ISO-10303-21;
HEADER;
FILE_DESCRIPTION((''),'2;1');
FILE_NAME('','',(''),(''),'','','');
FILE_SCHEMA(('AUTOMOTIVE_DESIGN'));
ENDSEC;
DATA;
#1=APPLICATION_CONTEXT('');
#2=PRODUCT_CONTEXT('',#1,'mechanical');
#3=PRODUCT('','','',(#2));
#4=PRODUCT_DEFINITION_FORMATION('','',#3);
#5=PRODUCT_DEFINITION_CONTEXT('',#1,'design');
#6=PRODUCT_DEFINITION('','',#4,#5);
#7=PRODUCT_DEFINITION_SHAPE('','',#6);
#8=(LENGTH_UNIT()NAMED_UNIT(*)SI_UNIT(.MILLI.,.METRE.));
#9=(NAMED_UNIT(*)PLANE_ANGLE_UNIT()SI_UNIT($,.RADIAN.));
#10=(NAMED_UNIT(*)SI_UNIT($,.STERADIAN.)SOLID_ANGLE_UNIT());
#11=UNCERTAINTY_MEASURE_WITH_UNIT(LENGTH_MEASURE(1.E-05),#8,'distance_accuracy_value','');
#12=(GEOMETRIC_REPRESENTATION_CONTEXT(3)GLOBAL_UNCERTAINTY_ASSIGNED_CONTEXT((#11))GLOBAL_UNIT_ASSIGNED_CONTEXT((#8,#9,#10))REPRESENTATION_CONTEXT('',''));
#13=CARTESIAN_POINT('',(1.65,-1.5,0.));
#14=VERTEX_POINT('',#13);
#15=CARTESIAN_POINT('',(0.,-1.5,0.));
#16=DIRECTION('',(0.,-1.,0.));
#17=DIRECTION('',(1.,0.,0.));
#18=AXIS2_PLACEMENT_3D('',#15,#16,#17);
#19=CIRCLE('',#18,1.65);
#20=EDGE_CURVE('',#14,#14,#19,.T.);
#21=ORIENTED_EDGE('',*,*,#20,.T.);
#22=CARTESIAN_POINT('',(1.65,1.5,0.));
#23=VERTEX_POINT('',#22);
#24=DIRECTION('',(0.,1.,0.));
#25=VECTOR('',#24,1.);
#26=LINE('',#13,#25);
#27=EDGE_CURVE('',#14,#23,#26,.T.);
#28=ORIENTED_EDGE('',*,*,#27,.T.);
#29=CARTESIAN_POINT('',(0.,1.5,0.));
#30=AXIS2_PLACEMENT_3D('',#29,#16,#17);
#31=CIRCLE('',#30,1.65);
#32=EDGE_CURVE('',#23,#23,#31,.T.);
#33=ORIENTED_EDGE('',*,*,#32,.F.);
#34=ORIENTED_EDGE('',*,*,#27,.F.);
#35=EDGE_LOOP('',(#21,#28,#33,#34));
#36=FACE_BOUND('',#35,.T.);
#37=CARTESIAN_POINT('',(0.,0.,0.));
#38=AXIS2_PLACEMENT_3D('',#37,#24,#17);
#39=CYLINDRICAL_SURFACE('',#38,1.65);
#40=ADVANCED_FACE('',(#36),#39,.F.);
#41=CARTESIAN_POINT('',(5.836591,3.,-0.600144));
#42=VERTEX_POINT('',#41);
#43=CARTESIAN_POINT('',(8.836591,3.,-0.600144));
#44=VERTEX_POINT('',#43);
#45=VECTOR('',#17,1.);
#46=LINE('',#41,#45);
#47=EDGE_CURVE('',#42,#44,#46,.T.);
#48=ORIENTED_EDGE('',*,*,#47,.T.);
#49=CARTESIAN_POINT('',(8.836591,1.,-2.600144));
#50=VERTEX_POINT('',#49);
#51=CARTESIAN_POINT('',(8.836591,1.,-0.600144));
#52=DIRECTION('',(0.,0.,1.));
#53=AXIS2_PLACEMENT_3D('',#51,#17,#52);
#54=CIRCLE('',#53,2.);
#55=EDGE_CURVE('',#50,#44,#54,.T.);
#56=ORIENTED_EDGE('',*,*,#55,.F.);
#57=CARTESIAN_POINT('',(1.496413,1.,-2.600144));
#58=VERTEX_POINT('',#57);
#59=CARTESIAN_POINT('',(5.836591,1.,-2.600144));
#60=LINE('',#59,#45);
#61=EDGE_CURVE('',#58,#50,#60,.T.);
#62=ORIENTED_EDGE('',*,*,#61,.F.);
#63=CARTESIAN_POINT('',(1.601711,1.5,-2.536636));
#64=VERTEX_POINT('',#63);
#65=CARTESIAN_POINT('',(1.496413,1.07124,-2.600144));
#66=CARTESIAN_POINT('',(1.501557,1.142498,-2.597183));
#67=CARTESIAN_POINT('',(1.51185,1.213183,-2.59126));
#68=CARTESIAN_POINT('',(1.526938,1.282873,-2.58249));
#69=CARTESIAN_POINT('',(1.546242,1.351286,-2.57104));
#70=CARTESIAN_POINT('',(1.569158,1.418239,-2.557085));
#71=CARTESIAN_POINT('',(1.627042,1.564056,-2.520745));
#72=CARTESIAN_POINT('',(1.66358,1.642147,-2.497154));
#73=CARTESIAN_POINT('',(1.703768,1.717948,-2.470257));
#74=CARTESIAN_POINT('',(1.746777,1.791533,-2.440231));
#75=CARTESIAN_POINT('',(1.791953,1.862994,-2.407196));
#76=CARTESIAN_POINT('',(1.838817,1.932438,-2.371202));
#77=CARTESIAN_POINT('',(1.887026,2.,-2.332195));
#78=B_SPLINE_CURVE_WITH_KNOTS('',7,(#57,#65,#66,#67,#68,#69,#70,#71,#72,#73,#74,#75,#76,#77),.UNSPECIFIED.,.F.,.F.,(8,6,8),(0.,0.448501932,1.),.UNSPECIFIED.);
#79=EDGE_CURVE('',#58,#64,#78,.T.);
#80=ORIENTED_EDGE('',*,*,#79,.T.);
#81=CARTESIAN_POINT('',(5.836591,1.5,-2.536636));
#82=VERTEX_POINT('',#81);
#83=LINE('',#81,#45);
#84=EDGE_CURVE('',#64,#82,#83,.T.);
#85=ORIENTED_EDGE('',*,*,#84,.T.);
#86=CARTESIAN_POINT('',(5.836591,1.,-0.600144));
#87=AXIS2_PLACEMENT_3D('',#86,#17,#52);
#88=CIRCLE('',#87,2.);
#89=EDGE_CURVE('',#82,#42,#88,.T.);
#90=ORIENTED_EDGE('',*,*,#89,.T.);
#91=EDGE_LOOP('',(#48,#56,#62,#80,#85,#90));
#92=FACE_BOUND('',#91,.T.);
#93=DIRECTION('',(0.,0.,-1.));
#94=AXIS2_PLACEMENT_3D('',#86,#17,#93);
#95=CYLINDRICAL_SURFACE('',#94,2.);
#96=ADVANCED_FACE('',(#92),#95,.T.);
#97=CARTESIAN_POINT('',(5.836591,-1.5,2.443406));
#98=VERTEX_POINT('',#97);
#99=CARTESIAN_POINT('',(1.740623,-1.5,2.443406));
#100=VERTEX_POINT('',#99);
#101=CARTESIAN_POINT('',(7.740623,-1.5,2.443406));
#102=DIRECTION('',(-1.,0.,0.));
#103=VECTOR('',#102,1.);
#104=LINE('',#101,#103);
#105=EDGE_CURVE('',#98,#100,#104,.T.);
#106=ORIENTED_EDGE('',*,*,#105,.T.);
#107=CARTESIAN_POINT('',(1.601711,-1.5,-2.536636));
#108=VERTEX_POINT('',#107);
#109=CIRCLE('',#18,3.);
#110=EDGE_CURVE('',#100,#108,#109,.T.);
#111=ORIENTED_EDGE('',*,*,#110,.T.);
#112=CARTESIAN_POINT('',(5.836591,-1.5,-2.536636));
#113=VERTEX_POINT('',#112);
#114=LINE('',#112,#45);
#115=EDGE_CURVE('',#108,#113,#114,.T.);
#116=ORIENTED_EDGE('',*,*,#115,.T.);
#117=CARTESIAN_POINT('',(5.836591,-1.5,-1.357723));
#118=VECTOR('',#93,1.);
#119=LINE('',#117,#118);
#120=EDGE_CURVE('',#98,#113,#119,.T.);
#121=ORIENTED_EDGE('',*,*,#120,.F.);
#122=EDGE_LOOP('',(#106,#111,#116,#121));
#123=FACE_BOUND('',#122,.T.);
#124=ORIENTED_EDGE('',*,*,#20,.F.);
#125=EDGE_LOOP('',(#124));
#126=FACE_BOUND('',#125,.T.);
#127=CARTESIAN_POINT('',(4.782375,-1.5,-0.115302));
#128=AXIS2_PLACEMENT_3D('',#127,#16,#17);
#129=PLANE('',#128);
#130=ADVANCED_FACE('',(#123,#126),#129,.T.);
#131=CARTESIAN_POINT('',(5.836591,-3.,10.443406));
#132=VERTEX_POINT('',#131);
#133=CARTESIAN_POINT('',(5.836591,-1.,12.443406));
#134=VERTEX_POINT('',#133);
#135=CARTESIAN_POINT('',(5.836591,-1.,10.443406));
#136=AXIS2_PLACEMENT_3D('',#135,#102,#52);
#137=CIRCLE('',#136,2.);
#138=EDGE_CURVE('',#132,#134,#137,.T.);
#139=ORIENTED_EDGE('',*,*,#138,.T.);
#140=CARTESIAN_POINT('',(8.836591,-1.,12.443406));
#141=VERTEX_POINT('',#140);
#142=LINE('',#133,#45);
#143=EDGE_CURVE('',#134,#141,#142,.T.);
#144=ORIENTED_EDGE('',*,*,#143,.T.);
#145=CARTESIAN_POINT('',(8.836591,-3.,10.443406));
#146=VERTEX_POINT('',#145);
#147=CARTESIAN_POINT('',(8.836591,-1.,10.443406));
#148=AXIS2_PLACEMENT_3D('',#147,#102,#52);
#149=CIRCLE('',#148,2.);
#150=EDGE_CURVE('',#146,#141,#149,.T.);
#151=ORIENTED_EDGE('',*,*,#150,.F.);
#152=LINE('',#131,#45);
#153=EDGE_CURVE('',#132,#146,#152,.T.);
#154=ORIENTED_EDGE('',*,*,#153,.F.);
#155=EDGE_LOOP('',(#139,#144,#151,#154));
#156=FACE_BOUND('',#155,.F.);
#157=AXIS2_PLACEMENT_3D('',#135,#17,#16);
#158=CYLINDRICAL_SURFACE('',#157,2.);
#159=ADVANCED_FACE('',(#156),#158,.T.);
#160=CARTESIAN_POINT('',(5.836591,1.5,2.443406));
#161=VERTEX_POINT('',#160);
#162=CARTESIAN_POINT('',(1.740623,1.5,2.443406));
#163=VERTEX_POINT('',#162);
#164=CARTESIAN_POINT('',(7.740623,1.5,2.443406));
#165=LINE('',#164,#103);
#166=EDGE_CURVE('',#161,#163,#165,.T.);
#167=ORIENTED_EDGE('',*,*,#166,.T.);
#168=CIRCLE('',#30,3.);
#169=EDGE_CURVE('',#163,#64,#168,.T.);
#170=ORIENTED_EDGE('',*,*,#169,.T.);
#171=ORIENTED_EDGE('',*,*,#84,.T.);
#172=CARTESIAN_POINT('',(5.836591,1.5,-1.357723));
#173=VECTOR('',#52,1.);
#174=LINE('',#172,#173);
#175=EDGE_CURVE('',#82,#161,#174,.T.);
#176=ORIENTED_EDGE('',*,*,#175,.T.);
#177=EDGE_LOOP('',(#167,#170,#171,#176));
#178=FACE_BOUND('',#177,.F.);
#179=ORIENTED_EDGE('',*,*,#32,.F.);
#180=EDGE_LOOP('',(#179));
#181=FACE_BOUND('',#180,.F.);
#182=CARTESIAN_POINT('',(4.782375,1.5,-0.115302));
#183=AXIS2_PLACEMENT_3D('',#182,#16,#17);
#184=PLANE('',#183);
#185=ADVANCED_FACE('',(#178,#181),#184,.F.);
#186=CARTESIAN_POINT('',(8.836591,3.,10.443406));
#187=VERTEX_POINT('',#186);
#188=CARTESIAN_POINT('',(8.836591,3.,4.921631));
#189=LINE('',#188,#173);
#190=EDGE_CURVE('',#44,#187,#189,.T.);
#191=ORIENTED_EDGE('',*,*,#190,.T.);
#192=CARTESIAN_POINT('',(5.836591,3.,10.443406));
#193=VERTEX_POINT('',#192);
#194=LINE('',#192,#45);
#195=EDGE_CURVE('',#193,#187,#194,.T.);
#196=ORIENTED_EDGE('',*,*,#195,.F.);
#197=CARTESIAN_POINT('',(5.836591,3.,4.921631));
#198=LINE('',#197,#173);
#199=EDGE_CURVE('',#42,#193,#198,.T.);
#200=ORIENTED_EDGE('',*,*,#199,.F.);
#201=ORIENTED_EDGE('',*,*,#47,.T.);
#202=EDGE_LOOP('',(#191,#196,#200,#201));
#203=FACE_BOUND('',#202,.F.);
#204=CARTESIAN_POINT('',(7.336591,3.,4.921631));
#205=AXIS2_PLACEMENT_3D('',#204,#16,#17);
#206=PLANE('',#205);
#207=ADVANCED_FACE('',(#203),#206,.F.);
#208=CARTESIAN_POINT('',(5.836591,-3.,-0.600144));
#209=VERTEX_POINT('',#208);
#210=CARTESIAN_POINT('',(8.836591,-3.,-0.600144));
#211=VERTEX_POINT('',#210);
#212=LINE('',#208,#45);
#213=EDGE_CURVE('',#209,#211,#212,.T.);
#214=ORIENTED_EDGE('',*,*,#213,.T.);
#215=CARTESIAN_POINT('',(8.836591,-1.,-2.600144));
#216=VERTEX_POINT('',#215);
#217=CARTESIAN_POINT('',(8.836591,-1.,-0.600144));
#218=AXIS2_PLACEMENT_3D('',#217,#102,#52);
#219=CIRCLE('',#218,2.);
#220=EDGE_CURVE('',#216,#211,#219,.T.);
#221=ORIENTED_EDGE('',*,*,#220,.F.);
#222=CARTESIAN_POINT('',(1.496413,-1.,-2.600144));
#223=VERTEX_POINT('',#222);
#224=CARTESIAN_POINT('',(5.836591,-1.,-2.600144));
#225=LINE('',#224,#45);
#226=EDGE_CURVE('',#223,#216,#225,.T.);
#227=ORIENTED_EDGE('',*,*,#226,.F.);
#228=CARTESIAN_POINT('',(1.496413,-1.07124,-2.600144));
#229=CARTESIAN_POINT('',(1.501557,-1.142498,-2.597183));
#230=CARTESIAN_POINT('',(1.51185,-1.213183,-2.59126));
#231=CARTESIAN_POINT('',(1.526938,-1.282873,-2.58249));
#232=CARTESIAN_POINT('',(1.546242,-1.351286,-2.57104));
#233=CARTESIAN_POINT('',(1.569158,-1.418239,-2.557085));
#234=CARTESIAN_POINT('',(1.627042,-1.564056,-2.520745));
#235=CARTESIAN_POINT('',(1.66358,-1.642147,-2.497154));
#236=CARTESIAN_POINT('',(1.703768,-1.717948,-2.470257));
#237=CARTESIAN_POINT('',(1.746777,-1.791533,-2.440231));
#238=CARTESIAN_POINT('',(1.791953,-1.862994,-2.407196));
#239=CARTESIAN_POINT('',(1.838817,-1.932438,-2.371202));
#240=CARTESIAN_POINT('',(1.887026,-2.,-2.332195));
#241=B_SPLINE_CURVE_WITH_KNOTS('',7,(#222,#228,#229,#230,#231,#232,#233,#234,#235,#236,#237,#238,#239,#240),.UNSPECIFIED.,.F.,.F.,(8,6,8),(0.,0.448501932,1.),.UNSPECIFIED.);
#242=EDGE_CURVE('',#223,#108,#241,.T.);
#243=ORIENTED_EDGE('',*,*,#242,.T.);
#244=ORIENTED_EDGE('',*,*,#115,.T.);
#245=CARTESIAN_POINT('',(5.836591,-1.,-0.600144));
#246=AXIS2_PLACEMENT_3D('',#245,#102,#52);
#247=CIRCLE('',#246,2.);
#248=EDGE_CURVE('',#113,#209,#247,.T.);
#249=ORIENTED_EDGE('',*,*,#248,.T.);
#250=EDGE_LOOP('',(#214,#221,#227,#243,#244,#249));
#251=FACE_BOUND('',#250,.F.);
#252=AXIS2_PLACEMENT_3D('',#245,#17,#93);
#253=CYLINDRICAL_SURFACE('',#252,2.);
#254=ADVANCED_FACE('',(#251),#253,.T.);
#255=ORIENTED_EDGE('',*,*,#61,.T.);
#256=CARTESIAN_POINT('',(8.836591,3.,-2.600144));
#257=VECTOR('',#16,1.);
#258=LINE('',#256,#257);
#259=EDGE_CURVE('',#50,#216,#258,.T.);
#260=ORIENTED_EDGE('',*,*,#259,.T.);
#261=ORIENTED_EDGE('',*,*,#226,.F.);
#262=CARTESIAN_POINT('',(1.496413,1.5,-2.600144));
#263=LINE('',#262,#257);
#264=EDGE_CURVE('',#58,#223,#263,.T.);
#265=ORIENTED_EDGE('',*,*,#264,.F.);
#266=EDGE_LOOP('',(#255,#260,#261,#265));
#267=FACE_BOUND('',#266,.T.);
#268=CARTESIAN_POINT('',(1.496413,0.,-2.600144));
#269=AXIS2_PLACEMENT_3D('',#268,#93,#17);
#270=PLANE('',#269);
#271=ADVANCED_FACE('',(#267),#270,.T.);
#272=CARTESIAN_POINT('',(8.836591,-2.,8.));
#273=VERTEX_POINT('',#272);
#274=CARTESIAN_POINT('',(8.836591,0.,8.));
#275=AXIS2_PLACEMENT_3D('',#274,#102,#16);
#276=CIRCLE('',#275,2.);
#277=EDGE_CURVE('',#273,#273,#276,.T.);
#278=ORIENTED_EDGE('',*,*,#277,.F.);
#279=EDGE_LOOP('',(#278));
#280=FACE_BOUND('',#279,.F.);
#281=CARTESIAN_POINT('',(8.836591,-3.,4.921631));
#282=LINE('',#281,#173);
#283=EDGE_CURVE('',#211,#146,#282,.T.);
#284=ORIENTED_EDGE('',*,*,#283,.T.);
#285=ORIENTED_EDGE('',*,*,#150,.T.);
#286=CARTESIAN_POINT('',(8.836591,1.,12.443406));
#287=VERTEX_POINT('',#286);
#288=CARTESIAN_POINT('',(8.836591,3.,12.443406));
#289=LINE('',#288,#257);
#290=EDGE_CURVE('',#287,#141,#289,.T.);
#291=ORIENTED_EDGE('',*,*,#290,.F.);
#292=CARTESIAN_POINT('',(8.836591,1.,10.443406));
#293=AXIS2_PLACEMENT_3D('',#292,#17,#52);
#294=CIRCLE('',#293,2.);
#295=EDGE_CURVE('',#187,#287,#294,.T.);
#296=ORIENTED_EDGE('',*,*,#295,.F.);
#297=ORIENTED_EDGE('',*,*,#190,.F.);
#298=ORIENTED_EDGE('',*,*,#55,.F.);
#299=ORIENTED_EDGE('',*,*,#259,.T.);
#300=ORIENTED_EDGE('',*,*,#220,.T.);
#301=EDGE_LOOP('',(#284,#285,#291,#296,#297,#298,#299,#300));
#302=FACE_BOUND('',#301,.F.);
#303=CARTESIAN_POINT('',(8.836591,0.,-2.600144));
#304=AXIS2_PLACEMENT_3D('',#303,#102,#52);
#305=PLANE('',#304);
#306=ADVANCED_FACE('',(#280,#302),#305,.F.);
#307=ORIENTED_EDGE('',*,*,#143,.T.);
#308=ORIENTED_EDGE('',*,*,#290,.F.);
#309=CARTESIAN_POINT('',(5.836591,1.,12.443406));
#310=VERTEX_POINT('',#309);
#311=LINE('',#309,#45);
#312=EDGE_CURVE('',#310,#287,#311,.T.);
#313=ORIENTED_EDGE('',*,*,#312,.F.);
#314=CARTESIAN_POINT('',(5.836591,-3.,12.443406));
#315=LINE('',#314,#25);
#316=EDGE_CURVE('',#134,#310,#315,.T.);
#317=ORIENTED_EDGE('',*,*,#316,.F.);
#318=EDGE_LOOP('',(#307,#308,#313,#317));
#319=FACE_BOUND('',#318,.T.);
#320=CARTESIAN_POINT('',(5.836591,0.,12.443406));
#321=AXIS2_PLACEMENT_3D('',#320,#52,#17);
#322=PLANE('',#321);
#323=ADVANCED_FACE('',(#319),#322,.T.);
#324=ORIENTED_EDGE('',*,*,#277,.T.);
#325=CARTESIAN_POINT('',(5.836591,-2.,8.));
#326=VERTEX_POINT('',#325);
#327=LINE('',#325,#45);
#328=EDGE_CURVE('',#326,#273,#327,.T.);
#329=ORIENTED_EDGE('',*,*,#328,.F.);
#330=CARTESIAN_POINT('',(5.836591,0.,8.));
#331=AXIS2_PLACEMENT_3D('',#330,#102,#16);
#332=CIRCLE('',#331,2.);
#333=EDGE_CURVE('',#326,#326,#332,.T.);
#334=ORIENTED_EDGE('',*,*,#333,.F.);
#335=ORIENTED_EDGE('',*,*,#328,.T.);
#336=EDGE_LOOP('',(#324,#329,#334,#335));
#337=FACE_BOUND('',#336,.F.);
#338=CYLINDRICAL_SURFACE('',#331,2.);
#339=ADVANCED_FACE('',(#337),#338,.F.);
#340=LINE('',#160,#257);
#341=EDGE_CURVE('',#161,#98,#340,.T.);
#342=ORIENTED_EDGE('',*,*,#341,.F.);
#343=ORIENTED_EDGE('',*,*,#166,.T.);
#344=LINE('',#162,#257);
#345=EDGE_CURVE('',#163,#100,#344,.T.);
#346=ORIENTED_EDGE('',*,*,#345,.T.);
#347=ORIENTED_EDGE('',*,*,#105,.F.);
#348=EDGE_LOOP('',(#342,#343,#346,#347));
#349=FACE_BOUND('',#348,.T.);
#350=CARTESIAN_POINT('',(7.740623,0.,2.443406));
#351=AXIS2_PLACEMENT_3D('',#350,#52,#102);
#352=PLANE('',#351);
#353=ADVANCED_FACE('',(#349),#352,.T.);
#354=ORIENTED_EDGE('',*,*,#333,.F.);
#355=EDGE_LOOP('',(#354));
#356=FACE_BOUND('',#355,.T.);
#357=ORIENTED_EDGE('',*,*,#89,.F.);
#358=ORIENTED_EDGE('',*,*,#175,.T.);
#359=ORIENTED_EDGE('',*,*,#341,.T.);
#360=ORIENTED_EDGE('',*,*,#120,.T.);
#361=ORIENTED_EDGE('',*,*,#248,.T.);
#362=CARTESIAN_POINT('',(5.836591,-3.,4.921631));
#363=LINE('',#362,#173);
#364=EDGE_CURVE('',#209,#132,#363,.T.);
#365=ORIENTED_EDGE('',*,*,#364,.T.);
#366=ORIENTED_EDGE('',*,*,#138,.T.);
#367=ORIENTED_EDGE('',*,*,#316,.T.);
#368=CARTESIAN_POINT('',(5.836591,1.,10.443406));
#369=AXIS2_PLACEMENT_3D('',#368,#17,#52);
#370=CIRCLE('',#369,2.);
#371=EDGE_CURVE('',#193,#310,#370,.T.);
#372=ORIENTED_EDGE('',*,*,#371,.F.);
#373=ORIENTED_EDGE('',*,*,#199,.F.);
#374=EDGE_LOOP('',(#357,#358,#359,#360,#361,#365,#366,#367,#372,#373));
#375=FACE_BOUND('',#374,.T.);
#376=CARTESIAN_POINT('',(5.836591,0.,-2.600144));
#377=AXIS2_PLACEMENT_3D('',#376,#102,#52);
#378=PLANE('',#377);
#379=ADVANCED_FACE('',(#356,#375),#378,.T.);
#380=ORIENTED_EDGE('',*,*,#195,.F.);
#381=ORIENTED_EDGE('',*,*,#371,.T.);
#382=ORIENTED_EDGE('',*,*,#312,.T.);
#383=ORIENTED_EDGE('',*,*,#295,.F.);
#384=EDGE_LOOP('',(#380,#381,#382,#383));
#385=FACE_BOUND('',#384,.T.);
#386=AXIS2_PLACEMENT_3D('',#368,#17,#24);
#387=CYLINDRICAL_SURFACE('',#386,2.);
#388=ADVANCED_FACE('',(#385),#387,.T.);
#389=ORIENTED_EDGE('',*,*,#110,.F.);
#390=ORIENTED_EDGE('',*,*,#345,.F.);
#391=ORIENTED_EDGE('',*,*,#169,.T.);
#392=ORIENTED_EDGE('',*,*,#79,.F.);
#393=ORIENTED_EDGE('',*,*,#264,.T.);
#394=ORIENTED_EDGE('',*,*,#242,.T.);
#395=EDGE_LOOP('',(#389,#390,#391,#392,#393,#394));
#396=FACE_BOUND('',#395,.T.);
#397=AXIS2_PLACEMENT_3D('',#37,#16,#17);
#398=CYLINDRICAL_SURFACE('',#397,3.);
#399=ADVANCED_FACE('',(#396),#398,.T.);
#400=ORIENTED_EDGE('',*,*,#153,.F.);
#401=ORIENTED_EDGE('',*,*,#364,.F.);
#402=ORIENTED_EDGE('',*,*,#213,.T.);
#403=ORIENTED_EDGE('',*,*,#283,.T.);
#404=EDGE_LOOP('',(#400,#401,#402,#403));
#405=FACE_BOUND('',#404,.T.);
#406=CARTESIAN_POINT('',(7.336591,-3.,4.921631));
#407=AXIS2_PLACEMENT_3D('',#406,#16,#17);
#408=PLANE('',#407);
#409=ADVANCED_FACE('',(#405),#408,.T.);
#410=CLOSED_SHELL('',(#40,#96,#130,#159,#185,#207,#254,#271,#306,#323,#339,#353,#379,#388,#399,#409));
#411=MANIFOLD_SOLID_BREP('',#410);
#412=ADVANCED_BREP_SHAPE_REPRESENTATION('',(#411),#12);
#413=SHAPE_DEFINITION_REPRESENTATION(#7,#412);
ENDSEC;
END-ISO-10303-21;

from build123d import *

# Parameters (mm, degrees)
F0_R          = 3
F0_R_2        = 1.65
F1_DEPTH      = 1.5
F1_DEPTH_BACK = 1.5
F3_DEPTH      = 1.5
F3_DEPTH_BACK = 1.5
F4_W          = 3
F4_H          = 15.04355
F5_DEPTH      = 3
F5_DEPTH_BACK = 3
F6_R          = 2
F7_DEPTH      = 25
F8_R          = 2


with BuildPart() as f1:
    # F0 (on Front) → F1 (new body, two sides)
    with BuildSketch(Plane.XZ) as f1_sk:
        Circle(F0_R)
        Circle(F0_R_2, mode=Mode.SUBTRACT)
    extrude(amount=F1_DEPTH)
    extrude(f1_sk.sketch, amount=-F1_DEPTH_BACK)

    # F2 (on Front) → F3 (join, two sides)
    with BuildSketch(Plane.XZ) as f3_sk:
        with BuildLine():
            Line((7.740623, 2.443406), (1.740623, 2.443406))
            ThreePointArc((1.740623, 2.443406), (2.666633, 1.374433), (3, 0))
            ThreePointArc((3, 0), (2.59704, -1.501793), (1.496413, -2.600144))
            Line((1.496413, -2.600144), (7.740623, -2.600144))
            Line((7.740623, -2.600144), (7.740623, 2.443406))
        make_face()
    extrude(amount=F3_DEPTH)
    extrude(f3_sk.sketch, amount=-F3_DEPTH_BACK)

    # F4 (on Front) → F5 (join, two sides)
    with BuildSketch(Plane.XZ) as f5_sk:
        with Locations((7.336591, 4.921631)):
            Rectangle(F4_W, F4_H)
    extrude(amount=F5_DEPTH)
    extrude(f5_sk.sketch, amount=-F5_DEPTH_BACK)

    # F6 (on face) → F7 (cut)
    with BuildSketch(Plane(origin=(5.836591, 0, 0), x_dir=(0, -1, 0), z_dir=(-1, 0, 0))):
        with Locations((0, 8)):
            Circle(F6_R)
    extrude(amount=-F7_DEPTH, mode=Mode.SUBTRACT)

    # F8
    f8_edges = [f1.edges().sort_by_distance(p)[0] for p in [
        (7.336591, -3, 12.443406),
        (7.336591, 3, 12.443406),
        (7.336591, -3, -2.600144),
        (7.336591, 3, -2.600144),
    ]]
    fillet(f8_edges, radius=F8_R)


solid = f1.part
